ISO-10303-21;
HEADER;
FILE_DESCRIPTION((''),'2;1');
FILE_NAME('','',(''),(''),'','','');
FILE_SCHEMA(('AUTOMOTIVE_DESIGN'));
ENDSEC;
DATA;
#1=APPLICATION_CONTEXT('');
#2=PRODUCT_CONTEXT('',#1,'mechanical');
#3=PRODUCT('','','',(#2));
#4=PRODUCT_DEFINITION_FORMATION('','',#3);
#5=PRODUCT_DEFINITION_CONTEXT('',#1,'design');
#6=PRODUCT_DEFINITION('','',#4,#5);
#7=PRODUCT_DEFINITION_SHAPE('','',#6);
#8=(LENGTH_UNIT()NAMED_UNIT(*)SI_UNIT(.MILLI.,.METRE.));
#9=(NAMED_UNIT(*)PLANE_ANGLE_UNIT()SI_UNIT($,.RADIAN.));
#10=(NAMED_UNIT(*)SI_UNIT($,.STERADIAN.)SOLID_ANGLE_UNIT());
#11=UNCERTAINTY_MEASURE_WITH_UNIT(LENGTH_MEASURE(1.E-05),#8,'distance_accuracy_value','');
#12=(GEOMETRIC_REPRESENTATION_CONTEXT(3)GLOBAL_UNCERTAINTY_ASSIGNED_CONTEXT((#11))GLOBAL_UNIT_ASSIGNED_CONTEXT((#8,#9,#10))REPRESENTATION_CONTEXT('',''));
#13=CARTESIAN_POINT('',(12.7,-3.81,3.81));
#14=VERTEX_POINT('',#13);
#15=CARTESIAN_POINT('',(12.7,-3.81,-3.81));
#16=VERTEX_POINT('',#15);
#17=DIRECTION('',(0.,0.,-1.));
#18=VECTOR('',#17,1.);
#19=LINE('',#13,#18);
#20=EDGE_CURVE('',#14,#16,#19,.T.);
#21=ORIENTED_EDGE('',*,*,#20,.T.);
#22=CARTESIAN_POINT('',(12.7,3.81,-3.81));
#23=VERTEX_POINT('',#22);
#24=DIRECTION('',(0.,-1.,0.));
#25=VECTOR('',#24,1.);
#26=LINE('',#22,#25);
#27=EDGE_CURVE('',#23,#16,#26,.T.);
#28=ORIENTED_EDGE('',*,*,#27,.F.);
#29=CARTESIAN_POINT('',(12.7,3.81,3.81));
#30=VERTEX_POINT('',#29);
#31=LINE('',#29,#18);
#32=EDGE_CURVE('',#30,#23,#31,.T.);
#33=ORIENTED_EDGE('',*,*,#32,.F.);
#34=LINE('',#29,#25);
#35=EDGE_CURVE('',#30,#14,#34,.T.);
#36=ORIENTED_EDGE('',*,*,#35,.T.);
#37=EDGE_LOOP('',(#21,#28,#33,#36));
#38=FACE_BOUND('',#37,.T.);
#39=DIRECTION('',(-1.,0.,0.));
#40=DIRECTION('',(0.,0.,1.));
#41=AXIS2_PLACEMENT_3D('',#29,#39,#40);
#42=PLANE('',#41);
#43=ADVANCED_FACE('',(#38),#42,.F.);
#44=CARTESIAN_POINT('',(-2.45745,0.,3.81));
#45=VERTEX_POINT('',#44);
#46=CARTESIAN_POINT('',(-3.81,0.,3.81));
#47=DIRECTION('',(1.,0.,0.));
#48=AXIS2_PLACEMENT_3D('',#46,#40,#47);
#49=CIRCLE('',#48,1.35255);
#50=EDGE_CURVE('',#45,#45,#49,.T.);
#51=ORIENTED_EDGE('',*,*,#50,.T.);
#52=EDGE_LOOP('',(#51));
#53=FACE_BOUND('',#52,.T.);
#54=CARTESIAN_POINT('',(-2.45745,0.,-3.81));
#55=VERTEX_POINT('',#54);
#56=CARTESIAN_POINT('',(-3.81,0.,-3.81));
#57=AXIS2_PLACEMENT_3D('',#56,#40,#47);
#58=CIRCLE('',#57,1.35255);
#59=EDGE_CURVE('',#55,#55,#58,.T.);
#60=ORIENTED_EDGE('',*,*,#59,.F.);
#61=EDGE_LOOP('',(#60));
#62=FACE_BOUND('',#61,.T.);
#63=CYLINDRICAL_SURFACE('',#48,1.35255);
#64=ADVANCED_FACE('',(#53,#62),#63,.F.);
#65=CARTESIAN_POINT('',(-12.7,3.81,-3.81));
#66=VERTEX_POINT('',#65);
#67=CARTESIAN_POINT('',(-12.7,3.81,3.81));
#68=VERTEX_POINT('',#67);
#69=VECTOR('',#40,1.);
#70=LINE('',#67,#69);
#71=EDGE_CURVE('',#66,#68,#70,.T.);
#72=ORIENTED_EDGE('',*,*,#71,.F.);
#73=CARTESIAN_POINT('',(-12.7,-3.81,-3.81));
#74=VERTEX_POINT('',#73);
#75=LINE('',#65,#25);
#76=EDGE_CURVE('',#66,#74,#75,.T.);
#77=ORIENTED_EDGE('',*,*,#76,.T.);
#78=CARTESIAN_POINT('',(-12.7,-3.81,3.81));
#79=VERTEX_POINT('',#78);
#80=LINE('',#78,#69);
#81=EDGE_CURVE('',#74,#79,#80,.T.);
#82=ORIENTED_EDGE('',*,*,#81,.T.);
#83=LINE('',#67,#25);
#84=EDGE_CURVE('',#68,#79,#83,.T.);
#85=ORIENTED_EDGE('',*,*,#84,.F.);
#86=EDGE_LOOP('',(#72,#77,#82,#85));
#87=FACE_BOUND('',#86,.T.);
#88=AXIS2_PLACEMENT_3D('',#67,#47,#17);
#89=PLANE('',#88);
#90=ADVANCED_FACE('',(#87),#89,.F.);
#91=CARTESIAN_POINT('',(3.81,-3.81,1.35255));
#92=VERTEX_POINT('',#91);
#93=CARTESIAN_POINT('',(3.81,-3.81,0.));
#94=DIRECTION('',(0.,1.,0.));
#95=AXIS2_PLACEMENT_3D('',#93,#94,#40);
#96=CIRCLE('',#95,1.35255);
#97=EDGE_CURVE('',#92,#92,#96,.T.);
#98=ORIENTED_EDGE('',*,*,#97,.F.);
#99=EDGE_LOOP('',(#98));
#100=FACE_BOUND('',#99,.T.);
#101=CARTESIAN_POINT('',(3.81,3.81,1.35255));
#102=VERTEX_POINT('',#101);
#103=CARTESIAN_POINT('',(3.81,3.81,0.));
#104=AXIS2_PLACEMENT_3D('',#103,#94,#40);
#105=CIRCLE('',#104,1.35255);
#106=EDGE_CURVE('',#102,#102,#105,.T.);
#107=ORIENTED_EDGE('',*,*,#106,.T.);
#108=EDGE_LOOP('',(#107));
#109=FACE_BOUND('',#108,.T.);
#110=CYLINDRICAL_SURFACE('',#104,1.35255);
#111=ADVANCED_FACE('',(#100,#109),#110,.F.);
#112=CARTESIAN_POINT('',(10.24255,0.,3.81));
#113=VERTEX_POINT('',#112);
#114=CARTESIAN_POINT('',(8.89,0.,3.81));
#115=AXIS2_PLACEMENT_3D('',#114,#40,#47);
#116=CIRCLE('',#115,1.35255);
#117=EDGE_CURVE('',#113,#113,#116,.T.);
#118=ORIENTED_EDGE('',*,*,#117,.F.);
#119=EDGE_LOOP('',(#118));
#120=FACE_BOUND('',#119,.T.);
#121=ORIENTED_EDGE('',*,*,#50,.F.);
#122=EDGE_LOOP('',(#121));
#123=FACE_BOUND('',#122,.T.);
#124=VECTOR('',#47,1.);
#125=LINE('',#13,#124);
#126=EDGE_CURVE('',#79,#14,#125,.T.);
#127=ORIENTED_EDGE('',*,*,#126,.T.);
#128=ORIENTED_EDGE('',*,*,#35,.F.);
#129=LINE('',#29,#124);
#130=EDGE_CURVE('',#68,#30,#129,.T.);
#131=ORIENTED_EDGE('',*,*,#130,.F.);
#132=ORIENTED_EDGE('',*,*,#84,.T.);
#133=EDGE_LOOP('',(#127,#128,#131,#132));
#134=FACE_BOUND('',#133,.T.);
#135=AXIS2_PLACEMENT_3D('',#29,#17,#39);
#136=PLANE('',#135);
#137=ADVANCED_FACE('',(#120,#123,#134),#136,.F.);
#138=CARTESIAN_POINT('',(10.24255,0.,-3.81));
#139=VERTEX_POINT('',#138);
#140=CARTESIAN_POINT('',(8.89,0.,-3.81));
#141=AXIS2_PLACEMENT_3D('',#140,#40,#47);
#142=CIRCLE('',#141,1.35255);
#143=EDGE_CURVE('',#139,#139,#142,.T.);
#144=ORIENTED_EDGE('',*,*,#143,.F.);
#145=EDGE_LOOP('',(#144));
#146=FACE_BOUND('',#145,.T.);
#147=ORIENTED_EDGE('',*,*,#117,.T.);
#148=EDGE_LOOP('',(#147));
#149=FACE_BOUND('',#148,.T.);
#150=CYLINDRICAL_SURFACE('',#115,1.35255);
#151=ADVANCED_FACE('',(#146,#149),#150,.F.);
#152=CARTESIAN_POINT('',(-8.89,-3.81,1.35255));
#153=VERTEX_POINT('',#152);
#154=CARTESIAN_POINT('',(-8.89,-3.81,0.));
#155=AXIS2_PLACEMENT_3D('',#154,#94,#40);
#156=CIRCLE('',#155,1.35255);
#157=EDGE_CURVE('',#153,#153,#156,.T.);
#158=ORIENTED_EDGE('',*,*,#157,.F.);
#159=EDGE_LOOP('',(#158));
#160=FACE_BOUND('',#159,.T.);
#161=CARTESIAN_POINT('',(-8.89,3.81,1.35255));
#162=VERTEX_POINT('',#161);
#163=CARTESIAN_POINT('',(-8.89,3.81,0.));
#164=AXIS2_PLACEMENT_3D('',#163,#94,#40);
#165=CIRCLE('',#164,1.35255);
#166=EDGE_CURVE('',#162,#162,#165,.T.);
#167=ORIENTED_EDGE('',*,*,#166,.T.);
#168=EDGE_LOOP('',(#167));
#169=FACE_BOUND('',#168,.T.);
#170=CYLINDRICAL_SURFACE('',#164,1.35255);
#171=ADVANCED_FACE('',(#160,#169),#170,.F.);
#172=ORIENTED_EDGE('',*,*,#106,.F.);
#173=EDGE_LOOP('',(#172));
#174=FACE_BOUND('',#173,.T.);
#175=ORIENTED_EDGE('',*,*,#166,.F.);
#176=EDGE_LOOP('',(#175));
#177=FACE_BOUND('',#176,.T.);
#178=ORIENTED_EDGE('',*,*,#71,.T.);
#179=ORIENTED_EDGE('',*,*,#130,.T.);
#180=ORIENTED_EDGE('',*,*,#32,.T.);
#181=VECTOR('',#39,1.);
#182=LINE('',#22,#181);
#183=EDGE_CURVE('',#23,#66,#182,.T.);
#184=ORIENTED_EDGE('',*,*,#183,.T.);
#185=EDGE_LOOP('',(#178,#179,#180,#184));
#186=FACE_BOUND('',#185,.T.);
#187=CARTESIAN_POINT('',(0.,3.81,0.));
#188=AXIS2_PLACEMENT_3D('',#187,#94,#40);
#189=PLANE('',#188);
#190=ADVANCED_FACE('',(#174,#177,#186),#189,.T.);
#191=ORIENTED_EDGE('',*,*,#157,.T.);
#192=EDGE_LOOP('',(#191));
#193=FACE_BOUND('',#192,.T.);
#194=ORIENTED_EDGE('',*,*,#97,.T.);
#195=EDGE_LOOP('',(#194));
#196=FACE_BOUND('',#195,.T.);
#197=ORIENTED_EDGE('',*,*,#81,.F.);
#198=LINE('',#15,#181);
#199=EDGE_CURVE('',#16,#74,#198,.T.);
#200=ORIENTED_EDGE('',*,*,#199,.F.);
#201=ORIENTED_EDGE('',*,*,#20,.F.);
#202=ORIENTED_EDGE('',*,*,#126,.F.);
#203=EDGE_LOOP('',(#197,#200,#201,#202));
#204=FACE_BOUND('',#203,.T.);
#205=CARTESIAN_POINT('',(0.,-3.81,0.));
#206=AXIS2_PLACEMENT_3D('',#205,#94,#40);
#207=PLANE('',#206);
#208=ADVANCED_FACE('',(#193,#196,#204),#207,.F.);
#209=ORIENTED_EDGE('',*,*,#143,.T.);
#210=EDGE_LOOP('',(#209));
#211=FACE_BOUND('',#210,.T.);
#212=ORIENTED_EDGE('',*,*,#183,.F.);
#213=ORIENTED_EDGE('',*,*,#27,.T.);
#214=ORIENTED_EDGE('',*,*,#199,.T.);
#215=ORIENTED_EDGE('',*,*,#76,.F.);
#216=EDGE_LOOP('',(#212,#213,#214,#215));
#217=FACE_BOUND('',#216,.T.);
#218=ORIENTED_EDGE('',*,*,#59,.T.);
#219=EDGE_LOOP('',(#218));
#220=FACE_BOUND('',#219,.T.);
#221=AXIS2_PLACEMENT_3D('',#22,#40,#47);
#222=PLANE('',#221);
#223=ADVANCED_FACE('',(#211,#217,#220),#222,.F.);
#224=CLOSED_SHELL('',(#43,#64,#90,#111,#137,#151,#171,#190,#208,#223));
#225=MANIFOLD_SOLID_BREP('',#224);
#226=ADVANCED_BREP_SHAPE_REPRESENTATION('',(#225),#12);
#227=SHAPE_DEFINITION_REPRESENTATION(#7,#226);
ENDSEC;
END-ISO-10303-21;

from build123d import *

# Parameters (mm, degrees)
SKETCH1_W                 = 25.4
SKETCH1_H                 = 7.62
BOSS_EXTRUDE1_DEPTH       = 3.81
TAP_DRILL_FOR_6_32_TAP1_D = 2.7051
TAP_DRILL_FOR_6_32_TAP2_D = 2.7051


with BuildPart() as part:
    # Sketch1 → Boss-Extrude1 (new, symmetric)
    with BuildSketch(Plane(origin=(0, 0, 0), x_dir=(1, 0, 0), z_dir=(0, 1, 0))):
        Rectangle(SKETCH1_W, SKETCH1_H)
    extrude(amount=BOSS_EXTRUDE1_DEPTH, both=True)

    # Tap Drill for #6-32 Tap1 (through all)
    with Locations(Plane(origin=(0, 3.81, 0), x_dir=(1, 0, 0), z_dir=(0, 1, 0))):
        with Locations((-8.89, 0), (3.81, 0)):
            Hole(TAP_DRILL_FOR_6_32_TAP1_D / 2)

    # Tap Drill for #6-32 Tap2 (through all)
    with Locations(Plane.XY.offset(3.81)):
        with Locations((-3.81, 0), (8.89, 0)):
            Hole(TAP_DRILL_FOR_6_32_TAP2_D / 2)


solid = part.part
